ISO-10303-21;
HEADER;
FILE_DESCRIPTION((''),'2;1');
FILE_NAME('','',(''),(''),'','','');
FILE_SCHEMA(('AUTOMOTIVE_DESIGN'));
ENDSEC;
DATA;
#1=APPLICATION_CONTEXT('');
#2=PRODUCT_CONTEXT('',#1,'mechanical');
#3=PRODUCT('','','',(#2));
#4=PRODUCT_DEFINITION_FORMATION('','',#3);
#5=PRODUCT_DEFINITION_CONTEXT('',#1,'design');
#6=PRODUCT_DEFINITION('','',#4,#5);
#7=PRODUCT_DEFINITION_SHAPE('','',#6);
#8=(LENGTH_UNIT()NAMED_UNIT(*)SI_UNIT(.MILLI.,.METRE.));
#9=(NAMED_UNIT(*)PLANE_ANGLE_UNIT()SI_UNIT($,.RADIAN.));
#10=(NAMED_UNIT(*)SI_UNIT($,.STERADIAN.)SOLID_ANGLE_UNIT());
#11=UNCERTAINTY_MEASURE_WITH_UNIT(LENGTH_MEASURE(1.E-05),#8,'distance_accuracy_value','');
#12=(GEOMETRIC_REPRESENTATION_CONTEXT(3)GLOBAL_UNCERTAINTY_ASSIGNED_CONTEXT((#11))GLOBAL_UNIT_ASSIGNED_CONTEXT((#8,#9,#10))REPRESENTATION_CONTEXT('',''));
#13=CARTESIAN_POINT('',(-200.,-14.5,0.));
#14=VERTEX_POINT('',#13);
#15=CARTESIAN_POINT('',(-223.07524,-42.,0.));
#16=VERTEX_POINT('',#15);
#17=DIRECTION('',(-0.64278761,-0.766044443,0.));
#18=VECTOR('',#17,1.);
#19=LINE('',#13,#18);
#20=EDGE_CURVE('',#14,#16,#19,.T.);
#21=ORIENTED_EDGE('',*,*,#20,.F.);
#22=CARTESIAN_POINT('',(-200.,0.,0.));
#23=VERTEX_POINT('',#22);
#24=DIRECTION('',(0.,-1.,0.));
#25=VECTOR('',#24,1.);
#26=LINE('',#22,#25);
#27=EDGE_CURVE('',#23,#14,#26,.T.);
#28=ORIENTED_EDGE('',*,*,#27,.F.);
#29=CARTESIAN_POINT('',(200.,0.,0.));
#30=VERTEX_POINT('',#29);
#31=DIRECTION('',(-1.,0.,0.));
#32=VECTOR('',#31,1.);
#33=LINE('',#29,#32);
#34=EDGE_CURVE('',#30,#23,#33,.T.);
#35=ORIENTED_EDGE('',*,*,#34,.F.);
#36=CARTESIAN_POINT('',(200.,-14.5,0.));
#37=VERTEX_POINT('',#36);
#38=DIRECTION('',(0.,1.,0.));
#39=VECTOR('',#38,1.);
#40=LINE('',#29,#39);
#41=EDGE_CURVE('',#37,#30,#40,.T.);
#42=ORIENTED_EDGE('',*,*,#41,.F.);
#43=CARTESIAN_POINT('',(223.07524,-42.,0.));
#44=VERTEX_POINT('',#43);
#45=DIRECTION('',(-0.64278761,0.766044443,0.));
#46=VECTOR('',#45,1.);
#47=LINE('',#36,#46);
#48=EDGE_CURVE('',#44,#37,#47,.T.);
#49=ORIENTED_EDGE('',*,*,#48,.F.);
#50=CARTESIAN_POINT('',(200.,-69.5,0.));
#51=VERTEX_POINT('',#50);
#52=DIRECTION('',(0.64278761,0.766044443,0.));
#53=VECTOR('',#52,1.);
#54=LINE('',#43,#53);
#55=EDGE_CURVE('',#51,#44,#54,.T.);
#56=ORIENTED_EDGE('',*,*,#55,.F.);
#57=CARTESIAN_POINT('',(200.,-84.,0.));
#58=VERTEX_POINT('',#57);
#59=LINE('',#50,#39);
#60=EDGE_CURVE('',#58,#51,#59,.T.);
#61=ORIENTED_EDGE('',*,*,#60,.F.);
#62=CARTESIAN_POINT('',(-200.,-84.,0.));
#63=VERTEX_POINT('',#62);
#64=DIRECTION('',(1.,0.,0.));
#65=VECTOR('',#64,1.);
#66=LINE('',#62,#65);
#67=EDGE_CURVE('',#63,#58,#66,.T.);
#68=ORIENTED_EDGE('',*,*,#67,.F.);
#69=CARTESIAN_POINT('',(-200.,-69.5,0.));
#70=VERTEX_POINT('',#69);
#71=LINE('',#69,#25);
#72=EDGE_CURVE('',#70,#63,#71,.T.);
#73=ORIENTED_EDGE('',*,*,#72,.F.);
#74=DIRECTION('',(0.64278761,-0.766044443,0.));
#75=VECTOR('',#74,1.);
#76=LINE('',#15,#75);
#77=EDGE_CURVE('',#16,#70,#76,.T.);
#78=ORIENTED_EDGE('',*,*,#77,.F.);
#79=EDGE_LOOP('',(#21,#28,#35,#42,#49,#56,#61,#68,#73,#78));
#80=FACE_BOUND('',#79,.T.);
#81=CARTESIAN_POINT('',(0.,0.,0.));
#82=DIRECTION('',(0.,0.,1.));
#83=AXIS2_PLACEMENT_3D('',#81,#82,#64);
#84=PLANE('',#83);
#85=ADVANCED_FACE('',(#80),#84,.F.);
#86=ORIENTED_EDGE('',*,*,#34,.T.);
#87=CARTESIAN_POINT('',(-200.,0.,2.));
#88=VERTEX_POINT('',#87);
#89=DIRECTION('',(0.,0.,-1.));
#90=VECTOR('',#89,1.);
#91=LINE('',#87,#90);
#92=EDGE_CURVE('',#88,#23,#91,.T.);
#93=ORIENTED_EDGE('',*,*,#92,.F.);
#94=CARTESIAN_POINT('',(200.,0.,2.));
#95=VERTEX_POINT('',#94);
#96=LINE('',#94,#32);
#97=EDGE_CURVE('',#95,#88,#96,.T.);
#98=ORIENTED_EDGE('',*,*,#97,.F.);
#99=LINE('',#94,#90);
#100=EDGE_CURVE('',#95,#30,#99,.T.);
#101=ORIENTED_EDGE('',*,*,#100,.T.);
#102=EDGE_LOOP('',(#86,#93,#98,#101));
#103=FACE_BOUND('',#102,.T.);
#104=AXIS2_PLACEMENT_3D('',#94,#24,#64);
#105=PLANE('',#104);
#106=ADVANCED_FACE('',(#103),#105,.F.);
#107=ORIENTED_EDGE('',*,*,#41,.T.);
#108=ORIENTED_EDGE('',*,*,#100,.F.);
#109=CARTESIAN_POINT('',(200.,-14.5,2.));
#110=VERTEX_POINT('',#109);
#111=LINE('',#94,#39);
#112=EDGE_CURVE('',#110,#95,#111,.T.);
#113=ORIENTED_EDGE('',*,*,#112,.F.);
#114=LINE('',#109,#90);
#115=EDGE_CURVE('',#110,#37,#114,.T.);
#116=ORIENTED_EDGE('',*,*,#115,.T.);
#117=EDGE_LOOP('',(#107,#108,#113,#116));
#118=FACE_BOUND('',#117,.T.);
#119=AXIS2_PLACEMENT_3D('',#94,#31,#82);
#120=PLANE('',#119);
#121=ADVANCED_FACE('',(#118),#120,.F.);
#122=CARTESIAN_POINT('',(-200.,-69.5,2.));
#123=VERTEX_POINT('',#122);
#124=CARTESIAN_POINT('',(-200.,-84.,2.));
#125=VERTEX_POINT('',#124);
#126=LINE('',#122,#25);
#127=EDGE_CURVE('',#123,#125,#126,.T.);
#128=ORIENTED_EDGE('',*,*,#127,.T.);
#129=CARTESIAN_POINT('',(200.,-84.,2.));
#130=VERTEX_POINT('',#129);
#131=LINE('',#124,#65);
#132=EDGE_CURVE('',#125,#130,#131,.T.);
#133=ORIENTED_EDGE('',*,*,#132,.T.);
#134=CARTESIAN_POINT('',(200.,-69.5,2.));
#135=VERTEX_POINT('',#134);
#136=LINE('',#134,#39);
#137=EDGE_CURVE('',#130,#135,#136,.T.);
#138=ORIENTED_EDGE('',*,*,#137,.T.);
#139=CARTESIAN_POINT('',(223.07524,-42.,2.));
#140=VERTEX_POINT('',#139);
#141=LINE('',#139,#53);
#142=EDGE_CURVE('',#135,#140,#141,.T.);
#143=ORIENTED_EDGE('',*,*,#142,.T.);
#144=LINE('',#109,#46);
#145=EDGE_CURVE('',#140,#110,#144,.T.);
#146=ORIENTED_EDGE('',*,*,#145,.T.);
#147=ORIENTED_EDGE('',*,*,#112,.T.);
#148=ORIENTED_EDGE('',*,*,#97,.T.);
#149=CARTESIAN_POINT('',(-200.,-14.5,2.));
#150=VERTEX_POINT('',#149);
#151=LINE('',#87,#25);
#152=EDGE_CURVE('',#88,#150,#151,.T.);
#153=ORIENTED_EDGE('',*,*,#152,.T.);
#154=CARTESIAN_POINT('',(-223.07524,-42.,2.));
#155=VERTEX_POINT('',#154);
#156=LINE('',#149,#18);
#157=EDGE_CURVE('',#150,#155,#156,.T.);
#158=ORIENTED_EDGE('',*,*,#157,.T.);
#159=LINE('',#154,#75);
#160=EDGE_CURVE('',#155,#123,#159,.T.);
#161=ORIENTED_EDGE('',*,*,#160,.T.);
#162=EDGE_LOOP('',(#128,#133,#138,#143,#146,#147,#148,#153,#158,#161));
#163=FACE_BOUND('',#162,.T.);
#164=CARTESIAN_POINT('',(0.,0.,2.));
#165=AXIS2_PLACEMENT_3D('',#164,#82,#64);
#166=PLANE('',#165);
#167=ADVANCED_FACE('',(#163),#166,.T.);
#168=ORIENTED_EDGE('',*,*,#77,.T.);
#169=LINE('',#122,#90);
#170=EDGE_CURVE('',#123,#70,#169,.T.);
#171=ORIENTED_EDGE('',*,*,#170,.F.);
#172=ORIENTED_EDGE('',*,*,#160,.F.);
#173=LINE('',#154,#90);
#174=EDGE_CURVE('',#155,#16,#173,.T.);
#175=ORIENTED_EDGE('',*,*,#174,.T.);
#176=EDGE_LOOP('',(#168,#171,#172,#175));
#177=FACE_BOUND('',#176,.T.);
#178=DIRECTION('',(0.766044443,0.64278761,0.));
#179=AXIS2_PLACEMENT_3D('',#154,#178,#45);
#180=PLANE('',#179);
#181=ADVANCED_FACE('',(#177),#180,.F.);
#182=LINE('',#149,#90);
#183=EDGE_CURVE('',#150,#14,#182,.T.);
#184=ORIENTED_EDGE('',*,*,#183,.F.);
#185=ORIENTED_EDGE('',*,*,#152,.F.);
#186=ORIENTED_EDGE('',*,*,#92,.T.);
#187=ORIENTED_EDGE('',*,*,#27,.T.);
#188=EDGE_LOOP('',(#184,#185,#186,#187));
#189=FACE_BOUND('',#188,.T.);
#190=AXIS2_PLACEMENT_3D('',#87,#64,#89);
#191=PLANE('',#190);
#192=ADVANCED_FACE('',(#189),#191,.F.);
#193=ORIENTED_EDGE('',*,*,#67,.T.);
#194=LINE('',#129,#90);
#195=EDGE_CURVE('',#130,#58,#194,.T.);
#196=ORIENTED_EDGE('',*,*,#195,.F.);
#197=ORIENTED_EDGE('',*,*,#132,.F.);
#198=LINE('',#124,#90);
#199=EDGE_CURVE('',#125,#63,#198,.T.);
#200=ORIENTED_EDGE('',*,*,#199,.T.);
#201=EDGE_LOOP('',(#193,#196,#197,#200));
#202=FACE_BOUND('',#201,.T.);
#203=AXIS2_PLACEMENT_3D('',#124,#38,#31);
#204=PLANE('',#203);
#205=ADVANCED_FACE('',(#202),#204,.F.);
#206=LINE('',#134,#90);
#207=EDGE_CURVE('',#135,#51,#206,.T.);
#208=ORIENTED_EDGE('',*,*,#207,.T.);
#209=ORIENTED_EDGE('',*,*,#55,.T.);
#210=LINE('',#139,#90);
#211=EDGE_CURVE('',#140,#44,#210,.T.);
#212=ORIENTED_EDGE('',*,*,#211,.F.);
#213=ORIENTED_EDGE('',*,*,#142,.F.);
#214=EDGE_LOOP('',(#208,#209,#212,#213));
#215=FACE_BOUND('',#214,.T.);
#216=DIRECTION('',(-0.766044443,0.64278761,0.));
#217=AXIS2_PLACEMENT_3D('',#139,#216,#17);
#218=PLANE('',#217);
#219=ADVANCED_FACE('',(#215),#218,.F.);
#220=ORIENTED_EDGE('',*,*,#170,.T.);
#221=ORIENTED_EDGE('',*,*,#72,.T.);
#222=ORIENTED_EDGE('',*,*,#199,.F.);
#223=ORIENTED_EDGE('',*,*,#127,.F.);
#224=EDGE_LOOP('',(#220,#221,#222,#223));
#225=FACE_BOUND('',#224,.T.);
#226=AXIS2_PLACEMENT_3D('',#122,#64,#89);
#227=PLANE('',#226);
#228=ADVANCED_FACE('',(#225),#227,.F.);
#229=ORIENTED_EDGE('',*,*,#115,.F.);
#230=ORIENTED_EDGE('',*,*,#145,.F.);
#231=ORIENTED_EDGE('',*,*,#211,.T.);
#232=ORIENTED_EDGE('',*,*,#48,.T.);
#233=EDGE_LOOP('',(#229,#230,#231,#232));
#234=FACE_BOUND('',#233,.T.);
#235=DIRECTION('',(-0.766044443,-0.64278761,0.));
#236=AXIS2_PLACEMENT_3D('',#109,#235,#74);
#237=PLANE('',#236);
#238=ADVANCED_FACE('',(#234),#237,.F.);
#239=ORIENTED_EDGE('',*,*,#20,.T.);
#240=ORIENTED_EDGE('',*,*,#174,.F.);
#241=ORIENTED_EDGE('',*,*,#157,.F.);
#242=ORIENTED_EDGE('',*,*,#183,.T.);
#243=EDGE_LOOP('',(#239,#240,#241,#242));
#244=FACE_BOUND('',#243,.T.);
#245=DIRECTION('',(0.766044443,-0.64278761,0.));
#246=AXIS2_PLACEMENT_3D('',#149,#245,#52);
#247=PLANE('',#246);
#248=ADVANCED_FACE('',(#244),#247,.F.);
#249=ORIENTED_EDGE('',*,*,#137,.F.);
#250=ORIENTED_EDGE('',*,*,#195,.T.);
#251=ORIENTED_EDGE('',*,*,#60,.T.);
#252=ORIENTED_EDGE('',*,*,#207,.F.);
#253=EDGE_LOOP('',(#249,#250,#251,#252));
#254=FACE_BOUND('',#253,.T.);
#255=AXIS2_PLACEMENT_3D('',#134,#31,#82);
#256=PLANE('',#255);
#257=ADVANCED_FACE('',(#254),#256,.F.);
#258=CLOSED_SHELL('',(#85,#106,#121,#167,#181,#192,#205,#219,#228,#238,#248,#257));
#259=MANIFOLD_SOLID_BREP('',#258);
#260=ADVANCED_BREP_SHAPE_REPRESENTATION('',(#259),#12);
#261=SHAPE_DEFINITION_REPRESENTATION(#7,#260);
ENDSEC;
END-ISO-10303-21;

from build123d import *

# Parameters (mm, degrees)
BOSS_EXTRUDE1_DEPTH = 2


with BuildPart() as part:
    # Sketch1 → Boss-Extrude1 (new body)
    with BuildSketch(Plane.XY):
        Polygon((200, 0), (-200, 0), (-200, -14.5), (-223.075239857, -42), (-200, -69.5), (-200, -84), (200, -84), (200, -69.5), (223.075239857, -42), (200, -14.5), align=None)
    extrude(amount=BOSS_EXTRUDE1_DEPTH)


solid = part.part
